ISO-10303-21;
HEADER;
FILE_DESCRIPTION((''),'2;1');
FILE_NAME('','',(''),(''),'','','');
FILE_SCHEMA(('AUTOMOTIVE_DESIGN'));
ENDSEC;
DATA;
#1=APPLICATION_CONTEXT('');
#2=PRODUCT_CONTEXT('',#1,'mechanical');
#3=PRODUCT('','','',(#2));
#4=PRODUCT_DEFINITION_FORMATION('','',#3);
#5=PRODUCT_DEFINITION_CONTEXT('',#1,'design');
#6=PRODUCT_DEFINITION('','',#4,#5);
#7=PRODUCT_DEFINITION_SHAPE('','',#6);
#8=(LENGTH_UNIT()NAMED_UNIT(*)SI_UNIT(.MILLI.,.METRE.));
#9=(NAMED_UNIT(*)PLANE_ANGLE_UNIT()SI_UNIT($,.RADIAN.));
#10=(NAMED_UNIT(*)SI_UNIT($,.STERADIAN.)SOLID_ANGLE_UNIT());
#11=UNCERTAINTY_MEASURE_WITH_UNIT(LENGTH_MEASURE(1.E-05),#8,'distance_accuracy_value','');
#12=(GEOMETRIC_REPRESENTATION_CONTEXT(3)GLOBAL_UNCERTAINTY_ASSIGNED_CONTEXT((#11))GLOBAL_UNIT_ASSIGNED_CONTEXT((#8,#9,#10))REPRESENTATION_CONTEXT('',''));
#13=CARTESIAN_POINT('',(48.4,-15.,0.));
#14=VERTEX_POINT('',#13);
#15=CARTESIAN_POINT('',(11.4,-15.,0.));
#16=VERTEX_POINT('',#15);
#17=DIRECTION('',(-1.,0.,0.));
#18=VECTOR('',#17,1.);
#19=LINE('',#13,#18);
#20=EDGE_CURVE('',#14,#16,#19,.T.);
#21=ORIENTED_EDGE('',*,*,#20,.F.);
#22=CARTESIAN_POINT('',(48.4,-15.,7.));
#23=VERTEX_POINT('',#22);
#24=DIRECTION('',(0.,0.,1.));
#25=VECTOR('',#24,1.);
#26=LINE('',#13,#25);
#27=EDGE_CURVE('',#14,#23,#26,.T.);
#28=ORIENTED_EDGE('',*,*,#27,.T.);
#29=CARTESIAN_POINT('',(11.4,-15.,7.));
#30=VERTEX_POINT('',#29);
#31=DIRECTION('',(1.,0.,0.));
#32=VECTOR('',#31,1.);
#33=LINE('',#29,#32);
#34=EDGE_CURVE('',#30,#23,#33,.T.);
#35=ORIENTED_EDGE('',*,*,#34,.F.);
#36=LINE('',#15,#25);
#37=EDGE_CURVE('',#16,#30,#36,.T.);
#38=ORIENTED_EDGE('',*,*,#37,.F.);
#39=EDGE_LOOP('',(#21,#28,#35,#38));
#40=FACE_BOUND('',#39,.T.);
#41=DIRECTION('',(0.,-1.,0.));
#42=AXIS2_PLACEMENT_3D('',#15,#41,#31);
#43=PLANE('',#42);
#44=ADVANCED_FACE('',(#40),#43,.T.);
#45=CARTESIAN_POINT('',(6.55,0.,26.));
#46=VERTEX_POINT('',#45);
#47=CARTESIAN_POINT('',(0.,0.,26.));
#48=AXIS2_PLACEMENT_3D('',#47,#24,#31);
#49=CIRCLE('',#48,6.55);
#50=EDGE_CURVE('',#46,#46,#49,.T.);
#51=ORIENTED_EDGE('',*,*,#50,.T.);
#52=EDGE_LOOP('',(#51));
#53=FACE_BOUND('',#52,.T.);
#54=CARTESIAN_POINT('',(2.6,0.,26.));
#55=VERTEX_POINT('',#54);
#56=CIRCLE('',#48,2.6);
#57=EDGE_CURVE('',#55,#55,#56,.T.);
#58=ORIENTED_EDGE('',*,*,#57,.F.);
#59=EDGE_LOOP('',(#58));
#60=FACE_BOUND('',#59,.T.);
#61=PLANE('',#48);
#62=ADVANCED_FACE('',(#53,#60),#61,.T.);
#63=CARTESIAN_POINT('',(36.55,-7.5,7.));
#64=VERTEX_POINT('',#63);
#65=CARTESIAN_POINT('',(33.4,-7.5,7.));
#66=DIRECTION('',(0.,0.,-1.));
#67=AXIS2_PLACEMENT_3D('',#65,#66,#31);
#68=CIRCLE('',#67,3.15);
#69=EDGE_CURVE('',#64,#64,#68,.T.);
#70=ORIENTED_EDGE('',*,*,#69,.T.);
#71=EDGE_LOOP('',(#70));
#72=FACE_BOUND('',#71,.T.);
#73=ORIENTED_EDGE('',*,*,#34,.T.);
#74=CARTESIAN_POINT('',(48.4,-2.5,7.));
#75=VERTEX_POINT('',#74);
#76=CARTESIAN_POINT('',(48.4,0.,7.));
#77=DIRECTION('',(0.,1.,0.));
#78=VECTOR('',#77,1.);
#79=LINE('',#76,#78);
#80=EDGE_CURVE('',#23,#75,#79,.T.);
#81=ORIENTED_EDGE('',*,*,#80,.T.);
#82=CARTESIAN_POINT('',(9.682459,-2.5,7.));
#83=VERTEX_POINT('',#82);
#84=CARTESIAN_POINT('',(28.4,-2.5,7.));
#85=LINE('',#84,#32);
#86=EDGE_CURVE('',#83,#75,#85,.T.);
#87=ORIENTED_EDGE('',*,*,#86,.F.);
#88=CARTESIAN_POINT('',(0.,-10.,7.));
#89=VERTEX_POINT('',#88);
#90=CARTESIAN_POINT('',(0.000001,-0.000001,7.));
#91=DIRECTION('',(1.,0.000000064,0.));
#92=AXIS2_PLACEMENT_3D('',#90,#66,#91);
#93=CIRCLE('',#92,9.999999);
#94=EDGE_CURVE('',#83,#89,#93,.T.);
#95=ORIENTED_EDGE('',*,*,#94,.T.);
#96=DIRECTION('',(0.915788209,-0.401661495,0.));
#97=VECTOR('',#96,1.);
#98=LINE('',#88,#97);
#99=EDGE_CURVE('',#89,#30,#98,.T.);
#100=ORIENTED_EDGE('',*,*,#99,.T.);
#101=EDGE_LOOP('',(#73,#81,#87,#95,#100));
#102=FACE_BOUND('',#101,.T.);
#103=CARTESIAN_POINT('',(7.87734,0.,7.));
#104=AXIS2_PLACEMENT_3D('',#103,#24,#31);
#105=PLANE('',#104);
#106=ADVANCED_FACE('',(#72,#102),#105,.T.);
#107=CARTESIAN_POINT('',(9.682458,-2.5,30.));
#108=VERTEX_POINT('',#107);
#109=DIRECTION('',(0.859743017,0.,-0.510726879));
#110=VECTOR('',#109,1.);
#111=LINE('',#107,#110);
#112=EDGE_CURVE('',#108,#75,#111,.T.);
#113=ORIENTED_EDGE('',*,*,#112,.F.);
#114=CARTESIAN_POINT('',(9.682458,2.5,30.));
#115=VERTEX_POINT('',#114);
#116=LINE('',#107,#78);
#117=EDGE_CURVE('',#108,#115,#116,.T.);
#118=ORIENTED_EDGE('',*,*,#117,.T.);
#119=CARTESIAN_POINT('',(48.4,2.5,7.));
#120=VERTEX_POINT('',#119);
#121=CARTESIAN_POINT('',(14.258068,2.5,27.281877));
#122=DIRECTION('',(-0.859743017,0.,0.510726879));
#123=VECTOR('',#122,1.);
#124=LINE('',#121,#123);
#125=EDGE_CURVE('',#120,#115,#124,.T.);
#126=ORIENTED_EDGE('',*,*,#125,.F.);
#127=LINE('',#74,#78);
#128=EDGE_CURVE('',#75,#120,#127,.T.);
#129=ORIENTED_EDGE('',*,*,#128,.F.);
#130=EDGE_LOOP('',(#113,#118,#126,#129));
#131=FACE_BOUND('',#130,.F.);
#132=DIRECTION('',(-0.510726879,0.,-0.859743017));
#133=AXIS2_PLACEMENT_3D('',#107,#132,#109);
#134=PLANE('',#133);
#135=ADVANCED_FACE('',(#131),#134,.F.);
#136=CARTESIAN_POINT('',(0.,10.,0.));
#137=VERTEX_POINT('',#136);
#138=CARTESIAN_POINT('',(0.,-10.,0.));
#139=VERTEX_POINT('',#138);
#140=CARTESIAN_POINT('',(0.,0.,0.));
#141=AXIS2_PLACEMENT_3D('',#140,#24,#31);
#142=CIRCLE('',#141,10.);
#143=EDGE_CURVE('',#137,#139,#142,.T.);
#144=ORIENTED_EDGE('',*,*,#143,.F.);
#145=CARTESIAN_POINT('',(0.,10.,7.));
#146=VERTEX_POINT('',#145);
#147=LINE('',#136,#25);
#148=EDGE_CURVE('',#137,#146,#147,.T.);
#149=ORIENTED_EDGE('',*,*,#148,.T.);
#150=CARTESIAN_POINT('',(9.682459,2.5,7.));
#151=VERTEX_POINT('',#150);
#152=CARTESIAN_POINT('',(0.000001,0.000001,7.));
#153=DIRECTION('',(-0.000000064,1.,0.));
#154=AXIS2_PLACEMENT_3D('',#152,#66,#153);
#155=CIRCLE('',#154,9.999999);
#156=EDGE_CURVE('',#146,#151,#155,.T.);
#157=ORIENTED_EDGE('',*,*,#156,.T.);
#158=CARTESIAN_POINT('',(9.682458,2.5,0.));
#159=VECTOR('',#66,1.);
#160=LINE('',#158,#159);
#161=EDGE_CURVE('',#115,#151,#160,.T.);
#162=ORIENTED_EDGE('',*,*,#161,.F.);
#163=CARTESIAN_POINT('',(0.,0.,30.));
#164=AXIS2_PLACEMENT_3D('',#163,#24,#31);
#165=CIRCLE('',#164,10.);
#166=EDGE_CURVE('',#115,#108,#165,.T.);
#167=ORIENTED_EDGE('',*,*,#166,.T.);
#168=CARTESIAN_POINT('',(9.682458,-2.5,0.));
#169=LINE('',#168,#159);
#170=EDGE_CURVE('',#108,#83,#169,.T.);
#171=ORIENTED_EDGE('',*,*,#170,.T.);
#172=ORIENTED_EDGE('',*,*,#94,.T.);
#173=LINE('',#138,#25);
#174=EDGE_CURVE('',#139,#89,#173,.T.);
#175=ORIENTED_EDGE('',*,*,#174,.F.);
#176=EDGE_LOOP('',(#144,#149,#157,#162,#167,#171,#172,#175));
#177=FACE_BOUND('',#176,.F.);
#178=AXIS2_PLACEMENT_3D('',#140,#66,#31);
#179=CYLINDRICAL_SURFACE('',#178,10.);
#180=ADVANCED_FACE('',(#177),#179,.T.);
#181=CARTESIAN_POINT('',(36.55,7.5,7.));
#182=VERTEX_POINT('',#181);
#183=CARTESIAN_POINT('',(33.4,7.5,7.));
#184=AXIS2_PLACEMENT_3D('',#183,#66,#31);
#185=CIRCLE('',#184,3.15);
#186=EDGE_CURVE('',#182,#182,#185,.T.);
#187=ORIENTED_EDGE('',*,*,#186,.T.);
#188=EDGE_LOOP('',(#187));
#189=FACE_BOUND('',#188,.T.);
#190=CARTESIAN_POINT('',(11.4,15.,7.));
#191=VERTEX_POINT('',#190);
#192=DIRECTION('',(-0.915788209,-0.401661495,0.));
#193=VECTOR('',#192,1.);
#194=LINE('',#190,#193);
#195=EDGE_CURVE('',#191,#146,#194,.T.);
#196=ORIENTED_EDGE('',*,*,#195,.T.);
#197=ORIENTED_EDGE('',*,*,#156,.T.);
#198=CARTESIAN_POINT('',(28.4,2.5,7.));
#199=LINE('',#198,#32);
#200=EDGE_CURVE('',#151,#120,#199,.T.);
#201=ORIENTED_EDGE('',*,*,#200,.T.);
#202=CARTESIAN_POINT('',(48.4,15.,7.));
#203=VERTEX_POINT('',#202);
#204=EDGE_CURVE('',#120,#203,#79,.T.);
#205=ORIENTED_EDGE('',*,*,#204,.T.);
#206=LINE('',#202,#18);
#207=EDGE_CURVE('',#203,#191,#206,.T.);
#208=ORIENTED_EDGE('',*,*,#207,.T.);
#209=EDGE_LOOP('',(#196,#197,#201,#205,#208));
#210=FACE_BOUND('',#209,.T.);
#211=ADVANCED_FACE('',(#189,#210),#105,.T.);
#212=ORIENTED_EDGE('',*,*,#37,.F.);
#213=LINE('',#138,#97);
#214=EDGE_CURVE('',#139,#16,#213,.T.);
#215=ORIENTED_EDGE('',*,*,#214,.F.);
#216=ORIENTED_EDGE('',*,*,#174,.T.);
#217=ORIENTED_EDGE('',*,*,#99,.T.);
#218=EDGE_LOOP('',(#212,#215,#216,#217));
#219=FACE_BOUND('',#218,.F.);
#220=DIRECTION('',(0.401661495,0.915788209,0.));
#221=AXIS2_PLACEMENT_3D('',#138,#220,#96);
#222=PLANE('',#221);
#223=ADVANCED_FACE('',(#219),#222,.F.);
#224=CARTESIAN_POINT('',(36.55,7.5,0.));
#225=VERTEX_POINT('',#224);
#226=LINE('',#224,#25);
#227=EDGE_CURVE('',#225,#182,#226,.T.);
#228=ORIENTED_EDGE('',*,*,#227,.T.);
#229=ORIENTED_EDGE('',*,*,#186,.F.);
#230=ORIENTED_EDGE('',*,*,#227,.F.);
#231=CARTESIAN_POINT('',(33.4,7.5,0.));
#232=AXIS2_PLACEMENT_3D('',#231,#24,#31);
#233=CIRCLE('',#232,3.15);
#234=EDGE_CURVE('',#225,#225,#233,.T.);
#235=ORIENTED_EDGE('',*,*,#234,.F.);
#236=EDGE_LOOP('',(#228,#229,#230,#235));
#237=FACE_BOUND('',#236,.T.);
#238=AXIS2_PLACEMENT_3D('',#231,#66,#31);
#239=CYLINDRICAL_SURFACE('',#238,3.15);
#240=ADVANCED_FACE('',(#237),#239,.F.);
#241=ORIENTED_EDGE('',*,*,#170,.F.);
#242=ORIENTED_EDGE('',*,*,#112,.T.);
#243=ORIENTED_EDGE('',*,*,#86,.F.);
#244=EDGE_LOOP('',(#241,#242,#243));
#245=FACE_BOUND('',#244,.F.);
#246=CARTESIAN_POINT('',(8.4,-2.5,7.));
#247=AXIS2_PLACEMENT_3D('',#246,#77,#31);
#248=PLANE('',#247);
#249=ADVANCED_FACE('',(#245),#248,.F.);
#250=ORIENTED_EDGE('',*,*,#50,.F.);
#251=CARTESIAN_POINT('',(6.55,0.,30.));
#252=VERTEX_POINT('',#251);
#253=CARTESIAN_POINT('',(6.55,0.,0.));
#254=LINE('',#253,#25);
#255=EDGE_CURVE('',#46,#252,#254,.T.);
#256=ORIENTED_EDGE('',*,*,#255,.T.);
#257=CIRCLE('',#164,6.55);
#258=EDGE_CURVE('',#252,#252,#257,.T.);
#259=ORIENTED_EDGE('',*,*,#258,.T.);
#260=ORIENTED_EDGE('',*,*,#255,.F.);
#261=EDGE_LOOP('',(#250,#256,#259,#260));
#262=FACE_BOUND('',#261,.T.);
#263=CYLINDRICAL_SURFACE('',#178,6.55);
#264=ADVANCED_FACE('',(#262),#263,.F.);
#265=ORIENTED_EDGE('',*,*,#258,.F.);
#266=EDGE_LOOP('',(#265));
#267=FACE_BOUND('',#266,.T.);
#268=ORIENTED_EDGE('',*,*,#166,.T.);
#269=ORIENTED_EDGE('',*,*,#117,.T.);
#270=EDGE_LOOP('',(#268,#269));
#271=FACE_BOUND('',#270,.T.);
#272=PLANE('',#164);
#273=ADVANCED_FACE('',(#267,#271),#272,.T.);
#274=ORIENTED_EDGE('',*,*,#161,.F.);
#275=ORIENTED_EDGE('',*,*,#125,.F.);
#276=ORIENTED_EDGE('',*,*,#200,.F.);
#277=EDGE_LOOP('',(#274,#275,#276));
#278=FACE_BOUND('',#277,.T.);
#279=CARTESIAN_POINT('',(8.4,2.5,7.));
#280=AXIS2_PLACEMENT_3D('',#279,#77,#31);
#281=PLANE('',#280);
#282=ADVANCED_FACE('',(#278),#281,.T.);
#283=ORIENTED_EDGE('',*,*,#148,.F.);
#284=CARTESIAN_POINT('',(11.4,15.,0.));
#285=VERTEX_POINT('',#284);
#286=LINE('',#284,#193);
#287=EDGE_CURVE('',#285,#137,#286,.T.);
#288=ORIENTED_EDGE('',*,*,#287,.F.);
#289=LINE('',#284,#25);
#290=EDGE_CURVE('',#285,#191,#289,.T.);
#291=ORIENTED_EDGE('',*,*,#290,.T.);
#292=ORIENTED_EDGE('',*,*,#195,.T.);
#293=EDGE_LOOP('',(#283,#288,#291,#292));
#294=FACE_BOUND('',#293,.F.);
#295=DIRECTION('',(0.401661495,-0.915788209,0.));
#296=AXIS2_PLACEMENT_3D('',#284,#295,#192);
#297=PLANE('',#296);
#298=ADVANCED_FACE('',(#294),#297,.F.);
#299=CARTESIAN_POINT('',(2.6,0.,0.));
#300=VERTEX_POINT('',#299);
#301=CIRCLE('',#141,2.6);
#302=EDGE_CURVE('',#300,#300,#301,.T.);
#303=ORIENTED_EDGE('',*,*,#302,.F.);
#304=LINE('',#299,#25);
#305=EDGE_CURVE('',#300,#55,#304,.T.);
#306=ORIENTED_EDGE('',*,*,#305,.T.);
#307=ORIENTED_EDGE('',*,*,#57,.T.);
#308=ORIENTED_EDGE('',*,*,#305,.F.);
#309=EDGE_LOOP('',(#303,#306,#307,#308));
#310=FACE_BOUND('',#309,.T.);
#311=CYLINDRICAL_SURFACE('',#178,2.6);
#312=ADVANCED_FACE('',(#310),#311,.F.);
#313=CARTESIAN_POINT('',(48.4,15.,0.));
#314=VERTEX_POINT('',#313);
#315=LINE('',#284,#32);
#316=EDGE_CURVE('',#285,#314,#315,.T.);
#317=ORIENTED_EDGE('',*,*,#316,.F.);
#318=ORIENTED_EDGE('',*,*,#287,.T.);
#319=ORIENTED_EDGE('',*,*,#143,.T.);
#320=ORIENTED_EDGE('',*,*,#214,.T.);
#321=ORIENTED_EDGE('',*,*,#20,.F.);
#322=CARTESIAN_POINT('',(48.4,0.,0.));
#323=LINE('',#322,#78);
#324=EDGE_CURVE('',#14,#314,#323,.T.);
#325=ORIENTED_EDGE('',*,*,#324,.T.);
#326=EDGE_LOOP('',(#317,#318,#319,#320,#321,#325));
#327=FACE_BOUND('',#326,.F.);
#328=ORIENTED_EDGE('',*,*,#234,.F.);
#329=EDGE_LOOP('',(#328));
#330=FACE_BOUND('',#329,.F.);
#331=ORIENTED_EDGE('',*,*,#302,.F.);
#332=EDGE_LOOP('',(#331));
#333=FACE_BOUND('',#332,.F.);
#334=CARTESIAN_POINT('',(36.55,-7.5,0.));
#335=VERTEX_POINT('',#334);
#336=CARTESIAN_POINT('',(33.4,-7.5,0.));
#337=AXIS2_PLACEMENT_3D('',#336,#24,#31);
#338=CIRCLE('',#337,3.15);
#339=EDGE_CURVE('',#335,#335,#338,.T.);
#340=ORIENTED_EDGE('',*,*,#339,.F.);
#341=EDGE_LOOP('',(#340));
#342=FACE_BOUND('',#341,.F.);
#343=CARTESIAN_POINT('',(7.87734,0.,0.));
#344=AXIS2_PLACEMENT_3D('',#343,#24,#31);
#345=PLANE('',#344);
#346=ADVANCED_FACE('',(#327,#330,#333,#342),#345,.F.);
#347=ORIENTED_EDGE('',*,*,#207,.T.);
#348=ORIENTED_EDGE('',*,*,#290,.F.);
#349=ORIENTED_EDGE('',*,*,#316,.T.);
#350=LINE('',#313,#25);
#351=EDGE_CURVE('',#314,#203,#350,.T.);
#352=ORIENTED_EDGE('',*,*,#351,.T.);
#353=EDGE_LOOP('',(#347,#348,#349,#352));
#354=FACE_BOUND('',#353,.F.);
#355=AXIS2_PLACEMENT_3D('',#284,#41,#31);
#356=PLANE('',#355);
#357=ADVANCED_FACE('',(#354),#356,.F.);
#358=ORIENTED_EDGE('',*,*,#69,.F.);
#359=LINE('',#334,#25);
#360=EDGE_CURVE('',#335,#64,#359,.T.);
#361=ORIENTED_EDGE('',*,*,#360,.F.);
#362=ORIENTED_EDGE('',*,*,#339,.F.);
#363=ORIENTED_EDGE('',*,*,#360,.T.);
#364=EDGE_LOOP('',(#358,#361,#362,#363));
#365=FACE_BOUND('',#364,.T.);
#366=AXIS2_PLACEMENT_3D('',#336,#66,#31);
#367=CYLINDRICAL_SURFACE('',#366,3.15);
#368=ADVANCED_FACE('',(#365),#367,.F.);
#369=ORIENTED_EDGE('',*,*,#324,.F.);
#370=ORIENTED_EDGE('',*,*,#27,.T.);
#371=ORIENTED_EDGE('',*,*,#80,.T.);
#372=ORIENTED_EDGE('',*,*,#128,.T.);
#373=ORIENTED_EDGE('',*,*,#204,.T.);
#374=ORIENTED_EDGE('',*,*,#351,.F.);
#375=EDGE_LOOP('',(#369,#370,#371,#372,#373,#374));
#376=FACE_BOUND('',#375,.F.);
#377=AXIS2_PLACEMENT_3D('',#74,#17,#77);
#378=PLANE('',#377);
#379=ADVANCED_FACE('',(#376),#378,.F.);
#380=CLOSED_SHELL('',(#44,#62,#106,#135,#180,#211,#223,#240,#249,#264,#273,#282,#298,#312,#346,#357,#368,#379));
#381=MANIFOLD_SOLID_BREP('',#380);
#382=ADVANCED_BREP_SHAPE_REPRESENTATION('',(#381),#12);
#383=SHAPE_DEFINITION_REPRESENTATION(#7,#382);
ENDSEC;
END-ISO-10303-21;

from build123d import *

# Parameters (mm, degrees)
F0_R      = 10
F0_R_2    = 6.55
F1_DEPTH  = 30
F0_R_3    = 2.6
F2_DEPTH  = 26
F3_W      = 7
F3_H      = 30
F3_W_2    = 30
F4_DEPTH  = 7
F5_DEPTH  = 30
F6_W      = 40
F6_H      = 5
F7_DEPTH  = 23
F9_DEPTH  = 25
F10_R     = 3.15
F11_DEPTH = 25
F12_R     = 3.15
F13_DEPTH = 25
F15_DEPTH = 30.001


with BuildPart() as f1:
    # F0 (on Top) → F1 (new body)
    with BuildSketch(Plane.XY):
        Circle(F0_R)
        Circle(F0_R_2, mode=Mode.SUBTRACT)
    extrude(amount=F1_DEPTH)

    # F0 (on Top) → F2 (join)
    with BuildSketch(Plane.XY):
        Circle(F0_R_2)
        Circle(F0_R_3, mode=Mode.SUBTRACT)
    extrude(amount=F2_DEPTH)

    # F3 (on Top) → F4 (join)
    with BuildSketch(Plane.XY):
        with BuildLine():
            Line((11.4, -15), (11.4, 15))
            Line((11.4, 15), (0, 10))
            ThreePointArc((0, 10), (7.071068, 7.071068), (10, 0))
            ThreePointArc((10, 0), (7.071068, -7.071068), (0, -10))
            Line((0, -10), (11.4, -15))
        make_face()
        with Locations((14.9, 0)):
            Rectangle(F3_W, F3_H)
        with Locations((33.4, 0)):
            Rectangle(F3_W_2, F3_H)
    extrude(amount=F4_DEPTH)

    # F3 (on Top) → F5 (join)
    with BuildSketch(Plane.XY):
        with Locations((14.9, 0)):
            Rectangle(F3_W, F3_H)
    extrude(amount=-F5_DEPTH)

    # F6 (on face) → F7 (join, through all)
    with BuildSketch(Plane.XY.offset(7)):
        with Locations((28.4, 0)):
            Rectangle(F6_W, F6_H)
    extrude(amount=F7_DEPTH)

    # F8 (on face) → F9 (cut)
    with BuildSketch(Plane.XZ.offset(2.5)):
        Polygon((48.4, 30), (9.682458, 30), (48.4, 7), align=None)
    extrude(amount=-F9_DEPTH, mode=Mode.SUBTRACT)

    # F10 (on face) → F11 (cut)
    with BuildSketch(Plane.YZ.offset(18.4)):
        with Locations((-7.5, -15)):
            Circle(F10_R)
        with Locations((7.5, -15)):
            Circle(F10_R)
    extrude(amount=-F11_DEPTH, mode=Mode.SUBTRACT)

    # F12 (on face) → F13 (cut)
    with BuildSketch(Plane.XY):
        with Locations((33.4, -7.5)):
            Circle(F12_R)
        with Locations((33.4, 7.5)):
            Circle(F12_R)
    extrude(amount=F13_DEPTH, mode=Mode.SUBTRACT)

    # F14 (on face) → F15 (cut, through all)
    with BuildSketch(Plane.XZ.offset(15)):
        Polygon((51.2021, -41.370519), (48.4, 0), (-16.937578, 0), (-15.380099, -41.370519), align=None)
    extrude(amount=-F15_DEPTH, mode=Mode.SUBTRACT)


solid = f1.part
